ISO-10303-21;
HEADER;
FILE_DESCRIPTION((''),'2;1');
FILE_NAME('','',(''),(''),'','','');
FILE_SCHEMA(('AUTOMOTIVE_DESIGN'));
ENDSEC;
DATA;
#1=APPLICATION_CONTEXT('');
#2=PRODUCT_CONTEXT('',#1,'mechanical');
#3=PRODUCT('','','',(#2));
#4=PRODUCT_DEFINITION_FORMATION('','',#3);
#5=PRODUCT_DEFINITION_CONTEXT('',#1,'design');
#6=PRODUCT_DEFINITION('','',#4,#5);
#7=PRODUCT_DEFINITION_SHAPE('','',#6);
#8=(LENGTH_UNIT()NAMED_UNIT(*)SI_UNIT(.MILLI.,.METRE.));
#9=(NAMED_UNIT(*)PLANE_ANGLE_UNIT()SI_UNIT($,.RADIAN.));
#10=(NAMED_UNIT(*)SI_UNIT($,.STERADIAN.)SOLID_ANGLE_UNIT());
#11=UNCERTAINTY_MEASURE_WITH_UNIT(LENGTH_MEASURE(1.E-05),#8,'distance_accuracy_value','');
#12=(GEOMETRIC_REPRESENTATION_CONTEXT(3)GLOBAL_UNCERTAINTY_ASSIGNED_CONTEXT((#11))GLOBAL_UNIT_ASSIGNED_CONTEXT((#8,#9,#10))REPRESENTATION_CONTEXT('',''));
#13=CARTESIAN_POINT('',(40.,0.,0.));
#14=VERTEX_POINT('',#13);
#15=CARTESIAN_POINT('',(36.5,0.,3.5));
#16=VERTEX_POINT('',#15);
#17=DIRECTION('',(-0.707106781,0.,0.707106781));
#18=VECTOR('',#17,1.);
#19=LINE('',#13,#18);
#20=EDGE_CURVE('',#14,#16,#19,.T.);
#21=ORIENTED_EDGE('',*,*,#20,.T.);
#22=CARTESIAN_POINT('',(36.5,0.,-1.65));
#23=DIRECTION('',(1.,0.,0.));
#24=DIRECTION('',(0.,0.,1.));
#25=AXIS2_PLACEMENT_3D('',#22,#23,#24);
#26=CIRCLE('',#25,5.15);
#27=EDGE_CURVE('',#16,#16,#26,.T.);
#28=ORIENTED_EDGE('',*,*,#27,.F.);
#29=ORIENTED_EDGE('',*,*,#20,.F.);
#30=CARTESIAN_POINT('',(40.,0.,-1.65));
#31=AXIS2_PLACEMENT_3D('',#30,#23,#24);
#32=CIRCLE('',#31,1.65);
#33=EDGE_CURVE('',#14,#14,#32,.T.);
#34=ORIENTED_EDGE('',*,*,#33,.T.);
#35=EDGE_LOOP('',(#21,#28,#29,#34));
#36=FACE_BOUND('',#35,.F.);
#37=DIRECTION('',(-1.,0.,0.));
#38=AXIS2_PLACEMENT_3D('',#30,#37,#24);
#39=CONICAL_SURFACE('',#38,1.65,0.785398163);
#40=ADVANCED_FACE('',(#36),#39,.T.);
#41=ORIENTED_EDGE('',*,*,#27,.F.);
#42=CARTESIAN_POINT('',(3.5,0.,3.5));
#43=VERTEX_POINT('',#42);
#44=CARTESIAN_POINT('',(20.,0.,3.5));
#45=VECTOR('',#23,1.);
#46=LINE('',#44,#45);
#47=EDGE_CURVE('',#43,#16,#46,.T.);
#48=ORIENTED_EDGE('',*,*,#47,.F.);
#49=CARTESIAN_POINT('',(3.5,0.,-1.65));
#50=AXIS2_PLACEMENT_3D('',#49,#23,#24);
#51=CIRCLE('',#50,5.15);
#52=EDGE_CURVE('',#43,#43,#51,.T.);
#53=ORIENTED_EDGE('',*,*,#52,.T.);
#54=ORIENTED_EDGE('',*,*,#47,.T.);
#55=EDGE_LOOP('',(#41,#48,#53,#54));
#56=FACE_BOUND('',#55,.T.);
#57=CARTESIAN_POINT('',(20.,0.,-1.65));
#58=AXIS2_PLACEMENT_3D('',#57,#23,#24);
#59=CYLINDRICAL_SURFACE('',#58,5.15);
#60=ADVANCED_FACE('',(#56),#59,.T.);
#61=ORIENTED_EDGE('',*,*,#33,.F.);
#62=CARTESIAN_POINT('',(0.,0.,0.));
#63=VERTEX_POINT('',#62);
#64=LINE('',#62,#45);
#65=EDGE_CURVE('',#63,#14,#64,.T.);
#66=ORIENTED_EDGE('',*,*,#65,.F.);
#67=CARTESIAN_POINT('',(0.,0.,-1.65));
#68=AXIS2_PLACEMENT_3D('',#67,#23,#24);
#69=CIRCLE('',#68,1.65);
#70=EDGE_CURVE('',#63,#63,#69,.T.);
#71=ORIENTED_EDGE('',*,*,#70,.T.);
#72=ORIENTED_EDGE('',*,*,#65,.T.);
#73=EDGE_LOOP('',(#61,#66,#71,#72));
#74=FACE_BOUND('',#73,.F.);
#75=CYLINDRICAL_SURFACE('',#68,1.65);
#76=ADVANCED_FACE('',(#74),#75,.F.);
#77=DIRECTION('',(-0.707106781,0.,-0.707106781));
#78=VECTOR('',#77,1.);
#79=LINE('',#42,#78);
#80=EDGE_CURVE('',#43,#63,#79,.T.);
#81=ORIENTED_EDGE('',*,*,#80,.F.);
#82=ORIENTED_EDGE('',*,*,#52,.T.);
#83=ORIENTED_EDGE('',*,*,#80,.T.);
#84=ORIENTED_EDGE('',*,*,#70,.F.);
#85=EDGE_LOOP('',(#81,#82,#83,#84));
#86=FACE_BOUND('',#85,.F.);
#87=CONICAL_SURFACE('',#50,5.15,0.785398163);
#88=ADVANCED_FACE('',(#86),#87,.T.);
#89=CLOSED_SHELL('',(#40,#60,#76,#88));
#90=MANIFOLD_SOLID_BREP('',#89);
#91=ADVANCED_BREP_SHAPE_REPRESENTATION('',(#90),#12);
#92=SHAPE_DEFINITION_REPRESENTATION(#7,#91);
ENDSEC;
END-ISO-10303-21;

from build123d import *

# Parameters (mm, degrees)
F0_W = 33
F0_H = 3.5


with BuildPart() as f1:
    # F0 (on Front) → F1 (revolve)
    with BuildSketch(Plane.XZ):
        Polygon((3.5, 3.5), (0, 0), (3.5, 0), align=None)
        with Locations((20, 1.75)):
            Rectangle(F0_W, F0_H)
        Polygon((36.5, 3.5), (36.5, 0), (40, 0), align=None)
    revolve(axis=Axis((20, 0, -1.65), (1, 0, 0)))


solid = f1.part
